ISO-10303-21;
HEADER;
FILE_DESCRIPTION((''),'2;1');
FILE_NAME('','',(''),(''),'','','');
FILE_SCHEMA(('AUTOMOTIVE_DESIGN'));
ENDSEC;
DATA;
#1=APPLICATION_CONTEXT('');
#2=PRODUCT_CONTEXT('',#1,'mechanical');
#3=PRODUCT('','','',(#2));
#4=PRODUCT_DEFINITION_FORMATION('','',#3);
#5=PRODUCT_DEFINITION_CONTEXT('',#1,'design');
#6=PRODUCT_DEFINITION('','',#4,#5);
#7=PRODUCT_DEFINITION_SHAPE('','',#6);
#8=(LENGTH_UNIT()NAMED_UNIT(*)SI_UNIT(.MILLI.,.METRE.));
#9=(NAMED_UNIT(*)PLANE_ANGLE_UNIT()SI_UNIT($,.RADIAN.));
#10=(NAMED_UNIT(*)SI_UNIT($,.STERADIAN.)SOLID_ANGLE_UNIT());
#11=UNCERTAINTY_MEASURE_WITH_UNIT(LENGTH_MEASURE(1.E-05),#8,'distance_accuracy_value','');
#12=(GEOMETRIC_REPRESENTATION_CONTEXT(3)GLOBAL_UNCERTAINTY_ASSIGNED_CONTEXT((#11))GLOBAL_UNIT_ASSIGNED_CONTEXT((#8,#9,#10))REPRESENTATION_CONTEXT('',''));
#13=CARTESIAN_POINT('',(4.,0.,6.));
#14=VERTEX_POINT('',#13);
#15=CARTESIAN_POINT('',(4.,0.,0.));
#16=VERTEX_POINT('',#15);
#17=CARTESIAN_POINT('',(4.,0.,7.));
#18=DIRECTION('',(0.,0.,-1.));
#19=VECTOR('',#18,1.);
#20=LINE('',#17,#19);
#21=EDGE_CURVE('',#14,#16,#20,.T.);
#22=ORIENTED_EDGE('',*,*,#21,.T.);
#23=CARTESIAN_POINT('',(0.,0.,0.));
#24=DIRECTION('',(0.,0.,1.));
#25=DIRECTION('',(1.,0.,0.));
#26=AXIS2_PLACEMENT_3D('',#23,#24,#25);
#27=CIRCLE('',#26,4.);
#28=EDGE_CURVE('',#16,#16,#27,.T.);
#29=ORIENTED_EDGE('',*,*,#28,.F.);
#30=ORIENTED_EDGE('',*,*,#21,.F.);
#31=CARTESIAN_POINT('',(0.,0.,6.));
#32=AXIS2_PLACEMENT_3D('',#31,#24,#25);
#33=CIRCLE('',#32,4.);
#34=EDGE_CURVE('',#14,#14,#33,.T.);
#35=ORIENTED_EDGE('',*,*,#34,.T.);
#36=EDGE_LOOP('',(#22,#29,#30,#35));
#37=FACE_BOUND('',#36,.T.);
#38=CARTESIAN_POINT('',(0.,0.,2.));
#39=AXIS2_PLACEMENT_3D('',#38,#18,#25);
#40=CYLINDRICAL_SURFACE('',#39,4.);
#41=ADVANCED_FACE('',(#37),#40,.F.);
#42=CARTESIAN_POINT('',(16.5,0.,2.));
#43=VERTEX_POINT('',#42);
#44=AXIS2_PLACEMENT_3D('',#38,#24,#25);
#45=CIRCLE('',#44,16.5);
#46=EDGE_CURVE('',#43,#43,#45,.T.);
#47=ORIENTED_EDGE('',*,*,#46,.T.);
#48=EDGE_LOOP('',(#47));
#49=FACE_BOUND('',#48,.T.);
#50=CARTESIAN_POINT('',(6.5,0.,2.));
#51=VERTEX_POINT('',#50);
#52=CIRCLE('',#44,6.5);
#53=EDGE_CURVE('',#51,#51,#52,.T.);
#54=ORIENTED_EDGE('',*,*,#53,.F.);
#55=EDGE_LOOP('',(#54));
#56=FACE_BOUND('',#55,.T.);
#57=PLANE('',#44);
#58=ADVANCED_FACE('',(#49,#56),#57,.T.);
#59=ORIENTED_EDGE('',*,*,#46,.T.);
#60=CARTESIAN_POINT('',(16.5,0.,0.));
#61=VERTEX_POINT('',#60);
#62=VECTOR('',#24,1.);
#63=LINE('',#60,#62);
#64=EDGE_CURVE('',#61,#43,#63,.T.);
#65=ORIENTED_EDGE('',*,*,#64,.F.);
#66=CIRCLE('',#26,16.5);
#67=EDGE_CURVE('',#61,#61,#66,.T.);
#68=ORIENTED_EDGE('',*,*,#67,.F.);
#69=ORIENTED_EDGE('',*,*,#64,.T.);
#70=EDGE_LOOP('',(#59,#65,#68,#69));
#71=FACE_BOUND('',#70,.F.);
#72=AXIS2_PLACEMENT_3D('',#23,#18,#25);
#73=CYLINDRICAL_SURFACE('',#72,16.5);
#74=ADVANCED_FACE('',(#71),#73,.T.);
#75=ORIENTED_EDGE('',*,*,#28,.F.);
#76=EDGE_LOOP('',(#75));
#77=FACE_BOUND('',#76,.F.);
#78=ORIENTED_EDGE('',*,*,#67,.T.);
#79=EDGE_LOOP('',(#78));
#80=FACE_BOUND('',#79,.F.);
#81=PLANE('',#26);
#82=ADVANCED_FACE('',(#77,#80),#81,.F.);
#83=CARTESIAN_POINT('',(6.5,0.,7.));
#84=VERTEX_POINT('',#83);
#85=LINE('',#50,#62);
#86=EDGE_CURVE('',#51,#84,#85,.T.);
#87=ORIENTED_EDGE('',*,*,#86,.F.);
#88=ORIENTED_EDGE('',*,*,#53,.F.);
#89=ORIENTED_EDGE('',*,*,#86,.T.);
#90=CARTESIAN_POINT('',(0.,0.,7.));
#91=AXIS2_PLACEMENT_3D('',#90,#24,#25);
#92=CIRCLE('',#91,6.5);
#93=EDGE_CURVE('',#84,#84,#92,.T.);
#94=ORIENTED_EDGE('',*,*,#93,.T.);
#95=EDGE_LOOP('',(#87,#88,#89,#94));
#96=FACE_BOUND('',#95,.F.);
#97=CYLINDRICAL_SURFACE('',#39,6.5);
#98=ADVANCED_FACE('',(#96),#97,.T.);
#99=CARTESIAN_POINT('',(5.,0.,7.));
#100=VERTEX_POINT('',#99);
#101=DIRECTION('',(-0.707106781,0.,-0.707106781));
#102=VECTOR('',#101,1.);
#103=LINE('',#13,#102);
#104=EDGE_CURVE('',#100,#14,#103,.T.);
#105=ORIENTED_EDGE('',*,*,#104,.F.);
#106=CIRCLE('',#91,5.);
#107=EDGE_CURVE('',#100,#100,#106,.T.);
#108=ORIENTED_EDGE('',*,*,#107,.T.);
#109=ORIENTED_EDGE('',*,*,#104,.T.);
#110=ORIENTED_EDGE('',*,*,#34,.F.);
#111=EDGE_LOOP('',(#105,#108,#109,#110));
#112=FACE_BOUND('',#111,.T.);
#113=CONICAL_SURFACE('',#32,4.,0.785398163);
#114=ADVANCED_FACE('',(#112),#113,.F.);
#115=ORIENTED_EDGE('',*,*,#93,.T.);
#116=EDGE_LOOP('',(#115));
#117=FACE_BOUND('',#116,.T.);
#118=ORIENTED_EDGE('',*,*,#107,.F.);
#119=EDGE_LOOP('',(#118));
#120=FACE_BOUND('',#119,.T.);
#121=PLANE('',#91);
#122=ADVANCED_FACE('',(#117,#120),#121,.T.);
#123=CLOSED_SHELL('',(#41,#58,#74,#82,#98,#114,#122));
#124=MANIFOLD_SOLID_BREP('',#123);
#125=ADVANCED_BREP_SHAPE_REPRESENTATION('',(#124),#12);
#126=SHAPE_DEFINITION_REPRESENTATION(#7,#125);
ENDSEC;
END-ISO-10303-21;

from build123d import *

# Parameters (mm, degrees)
SKETCH_R      = 16.5
SKETCH_R_2    = 4
PAD_DEPTH     = 2
SKETCH001_R   = 6.5
SKETCH001_R_2 = 4
PAD001_DEPTH  = 5
CHAMFER_SIZE  = 1


with BuildPart() as part:
    # Sketch → Pad (new body)
    with BuildSketch(Plane.XY):
        Circle(SKETCH_R)
        Circle(SKETCH_R_2, mode=Mode.SUBTRACT)
    extrude(amount=PAD_DEPTH)

    # Sketch001 (on Face4 of Pad) → Pad001 (join)
    with BuildSketch(Plane.XY.offset(2)):
        Circle(SKETCH001_R)
        Circle(SKETCH001_R_2, mode=Mode.SUBTRACT)
    extrude(amount=PAD001_DEPTH)

    # Chamfer
    chamfer_edges = [part.edges().sort_by_distance(p)[0] for p in [
        (-4, 0, 7),
    ]]
    chamfer(chamfer_edges, length=CHAMFER_SIZE)


solid = part.part
